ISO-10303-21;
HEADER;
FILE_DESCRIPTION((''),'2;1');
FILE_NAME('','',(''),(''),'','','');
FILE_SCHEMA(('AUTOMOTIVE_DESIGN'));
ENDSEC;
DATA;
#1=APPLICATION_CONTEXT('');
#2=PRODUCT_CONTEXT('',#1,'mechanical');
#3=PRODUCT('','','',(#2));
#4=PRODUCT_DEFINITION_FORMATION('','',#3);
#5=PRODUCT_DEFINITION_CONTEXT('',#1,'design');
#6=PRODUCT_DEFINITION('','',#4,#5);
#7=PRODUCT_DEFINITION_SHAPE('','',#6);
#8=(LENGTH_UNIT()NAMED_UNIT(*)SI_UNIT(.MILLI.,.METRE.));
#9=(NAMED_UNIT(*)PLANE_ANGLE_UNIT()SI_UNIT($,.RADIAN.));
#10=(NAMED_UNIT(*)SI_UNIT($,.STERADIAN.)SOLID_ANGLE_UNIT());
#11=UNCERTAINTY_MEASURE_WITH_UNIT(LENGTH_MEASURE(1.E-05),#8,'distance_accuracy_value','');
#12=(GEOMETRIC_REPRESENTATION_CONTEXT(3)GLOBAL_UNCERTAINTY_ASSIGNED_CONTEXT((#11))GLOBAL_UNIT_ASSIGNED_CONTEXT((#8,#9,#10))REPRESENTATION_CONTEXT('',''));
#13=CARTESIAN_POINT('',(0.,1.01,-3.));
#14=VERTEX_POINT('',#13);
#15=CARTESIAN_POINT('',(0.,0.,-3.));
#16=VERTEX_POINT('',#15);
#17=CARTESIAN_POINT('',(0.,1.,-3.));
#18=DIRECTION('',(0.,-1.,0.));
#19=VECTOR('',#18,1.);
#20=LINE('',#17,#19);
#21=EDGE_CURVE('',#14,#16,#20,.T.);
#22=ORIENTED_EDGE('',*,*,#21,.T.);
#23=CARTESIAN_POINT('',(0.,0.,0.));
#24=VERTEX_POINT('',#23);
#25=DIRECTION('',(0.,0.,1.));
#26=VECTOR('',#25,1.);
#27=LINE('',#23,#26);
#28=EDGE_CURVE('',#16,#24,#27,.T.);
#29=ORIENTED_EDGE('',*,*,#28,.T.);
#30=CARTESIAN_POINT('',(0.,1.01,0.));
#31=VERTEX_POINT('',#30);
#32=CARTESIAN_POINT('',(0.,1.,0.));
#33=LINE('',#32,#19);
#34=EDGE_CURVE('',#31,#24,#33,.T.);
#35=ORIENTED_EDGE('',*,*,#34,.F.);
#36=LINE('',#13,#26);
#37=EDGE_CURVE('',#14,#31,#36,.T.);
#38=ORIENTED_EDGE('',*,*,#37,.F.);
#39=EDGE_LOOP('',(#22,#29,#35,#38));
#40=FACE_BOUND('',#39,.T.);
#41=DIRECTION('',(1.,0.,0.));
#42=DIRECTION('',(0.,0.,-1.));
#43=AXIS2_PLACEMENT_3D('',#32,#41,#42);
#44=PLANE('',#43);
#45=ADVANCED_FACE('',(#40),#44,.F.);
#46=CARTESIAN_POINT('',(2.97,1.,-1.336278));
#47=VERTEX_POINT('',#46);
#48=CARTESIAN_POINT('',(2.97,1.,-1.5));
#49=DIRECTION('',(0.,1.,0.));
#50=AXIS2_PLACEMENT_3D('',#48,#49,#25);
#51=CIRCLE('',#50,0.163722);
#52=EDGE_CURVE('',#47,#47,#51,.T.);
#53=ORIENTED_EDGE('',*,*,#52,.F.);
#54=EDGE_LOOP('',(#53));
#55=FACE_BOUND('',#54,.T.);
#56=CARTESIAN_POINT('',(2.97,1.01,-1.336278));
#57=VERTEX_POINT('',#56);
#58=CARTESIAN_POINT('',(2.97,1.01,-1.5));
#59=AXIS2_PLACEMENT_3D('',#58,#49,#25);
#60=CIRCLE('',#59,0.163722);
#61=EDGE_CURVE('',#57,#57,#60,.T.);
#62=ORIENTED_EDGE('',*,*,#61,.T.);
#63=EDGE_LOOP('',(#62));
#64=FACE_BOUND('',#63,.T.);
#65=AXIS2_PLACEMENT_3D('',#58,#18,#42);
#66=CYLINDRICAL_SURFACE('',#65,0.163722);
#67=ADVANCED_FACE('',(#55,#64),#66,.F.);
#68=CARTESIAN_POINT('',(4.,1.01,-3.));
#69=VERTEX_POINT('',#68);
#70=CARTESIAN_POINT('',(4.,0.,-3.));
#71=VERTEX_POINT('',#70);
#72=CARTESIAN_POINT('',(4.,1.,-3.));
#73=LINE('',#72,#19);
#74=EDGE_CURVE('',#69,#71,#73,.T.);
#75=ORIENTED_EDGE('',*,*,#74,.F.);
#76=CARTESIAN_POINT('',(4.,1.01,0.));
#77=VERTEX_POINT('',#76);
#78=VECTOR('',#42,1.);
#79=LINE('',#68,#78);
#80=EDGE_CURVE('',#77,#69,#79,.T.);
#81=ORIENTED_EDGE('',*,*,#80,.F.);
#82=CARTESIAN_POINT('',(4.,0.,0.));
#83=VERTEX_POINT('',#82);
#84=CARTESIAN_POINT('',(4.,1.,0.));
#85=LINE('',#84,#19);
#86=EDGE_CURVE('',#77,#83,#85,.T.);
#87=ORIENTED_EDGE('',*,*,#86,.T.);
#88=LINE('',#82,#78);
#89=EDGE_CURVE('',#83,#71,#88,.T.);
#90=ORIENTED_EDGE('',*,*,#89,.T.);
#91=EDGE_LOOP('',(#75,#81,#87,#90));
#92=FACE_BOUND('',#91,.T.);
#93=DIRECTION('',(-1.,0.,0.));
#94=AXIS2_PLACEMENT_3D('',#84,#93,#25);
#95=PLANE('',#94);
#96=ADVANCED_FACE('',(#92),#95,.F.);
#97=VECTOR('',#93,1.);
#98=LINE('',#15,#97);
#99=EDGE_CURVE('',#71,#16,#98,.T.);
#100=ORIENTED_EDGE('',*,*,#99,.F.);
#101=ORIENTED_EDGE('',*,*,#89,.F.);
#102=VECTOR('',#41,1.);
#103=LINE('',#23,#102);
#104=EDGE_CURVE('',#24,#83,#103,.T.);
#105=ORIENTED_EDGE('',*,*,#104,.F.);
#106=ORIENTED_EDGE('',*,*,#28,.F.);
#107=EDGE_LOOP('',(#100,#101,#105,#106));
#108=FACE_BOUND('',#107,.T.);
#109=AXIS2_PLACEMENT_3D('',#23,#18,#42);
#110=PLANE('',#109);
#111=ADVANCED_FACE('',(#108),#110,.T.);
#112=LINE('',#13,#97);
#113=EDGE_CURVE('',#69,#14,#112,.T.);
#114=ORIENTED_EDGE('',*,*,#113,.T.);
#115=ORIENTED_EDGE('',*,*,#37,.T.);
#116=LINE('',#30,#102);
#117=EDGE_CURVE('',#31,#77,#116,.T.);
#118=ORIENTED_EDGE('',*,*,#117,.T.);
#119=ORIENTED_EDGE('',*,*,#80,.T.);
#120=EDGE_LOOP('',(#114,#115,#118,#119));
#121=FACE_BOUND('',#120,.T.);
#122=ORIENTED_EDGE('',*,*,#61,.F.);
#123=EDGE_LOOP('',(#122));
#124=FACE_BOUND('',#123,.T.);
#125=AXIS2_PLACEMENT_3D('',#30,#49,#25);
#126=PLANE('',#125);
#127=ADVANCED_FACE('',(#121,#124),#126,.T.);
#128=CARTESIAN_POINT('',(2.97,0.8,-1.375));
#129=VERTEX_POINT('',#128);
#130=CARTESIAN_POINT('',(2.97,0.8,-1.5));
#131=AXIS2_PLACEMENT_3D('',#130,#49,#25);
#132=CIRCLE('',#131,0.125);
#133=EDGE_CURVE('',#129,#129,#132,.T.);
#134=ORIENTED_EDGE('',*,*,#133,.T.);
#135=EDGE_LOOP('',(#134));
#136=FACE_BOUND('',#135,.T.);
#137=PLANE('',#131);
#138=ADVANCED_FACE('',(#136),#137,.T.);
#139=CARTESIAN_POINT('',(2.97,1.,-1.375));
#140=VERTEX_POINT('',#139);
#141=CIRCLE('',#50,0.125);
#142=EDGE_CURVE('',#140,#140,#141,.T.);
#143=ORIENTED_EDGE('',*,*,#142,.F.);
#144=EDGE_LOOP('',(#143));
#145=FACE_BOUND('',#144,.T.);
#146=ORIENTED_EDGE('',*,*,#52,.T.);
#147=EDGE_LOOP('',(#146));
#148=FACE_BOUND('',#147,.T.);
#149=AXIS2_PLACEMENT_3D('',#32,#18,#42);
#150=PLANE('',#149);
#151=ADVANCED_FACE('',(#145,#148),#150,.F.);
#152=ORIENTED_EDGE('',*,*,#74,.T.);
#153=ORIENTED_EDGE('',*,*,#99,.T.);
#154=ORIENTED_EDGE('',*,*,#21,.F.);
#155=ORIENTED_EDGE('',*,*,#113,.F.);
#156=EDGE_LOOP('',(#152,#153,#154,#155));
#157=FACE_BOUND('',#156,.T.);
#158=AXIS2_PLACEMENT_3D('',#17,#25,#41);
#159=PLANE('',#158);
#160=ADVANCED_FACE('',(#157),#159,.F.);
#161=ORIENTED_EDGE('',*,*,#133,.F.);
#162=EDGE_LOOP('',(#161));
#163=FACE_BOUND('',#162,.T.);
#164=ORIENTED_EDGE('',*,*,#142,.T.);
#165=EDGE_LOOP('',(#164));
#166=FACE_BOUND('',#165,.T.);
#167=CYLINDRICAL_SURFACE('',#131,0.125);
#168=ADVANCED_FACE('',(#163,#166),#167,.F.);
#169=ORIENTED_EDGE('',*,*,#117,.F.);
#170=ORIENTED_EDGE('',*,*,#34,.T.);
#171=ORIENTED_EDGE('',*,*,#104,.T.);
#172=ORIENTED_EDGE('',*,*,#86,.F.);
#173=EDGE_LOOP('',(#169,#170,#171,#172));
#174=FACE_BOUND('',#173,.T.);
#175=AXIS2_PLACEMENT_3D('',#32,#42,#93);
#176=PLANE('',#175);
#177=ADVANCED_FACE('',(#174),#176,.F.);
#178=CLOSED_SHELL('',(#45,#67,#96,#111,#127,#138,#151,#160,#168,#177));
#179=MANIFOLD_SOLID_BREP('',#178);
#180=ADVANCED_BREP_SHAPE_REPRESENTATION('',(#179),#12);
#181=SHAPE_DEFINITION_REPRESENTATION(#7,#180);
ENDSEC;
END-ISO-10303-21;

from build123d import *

# Parameters (mm, degrees)
SKETCH1_W           = 4
SKETCH1_H           = 3
BOSS_EXTRUDE1_DEPTH = 1
SKETCH2_R           = 0.125
CUT_EXTRUDE1_DEPTH  = 0.2
SKETCH3_W           = 4
SKETCH3_H           = 3
SKETCH3_R           = 0.163722277
BOSS_EXTRUDE2_DEPTH = 0.01


with BuildPart() as part:
    # Sketch1 → Boss-Extrude1 (new body)
    with BuildSketch(Plane(origin=(0, 0, 0), x_dir=(1, 0, 0), z_dir=(0, 1, 0))):
        with Locations((2, 1.5)):
            Rectangle(SKETCH1_W, SKETCH1_H)
    extrude(amount=BOSS_EXTRUDE1_DEPTH)

    # Sketch2 → Cut-Extrude1 (cut)
    with BuildSketch(Plane(origin=(0, 1, 0), x_dir=(1, 0, 0), z_dir=(0, 1, 0))):
        with Locations(Location((2.97, 1.5, 0), (0, 0, 270))):
            Circle(SKETCH2_R)
    extrude(amount=-CUT_EXTRUDE1_DEPTH, mode=Mode.SUBTRACT)

    # Sketch3 → Boss-Extrude2 (add)
    with BuildSketch(Plane(origin=(0, 1, 0), x_dir=(1, 0, 0), z_dir=(0, 1, 0))):
        with Locations((2, 1.5)):
            Rectangle(SKETCH3_W, SKETCH3_H)
        with Locations(Location((2.97, 1.5, 0), (0, 0, 270))):
            Circle(SKETCH3_R, mode=Mode.SUBTRACT)
    extrude(amount=BOSS_EXTRUDE2_DEPTH)


solid = part.part
